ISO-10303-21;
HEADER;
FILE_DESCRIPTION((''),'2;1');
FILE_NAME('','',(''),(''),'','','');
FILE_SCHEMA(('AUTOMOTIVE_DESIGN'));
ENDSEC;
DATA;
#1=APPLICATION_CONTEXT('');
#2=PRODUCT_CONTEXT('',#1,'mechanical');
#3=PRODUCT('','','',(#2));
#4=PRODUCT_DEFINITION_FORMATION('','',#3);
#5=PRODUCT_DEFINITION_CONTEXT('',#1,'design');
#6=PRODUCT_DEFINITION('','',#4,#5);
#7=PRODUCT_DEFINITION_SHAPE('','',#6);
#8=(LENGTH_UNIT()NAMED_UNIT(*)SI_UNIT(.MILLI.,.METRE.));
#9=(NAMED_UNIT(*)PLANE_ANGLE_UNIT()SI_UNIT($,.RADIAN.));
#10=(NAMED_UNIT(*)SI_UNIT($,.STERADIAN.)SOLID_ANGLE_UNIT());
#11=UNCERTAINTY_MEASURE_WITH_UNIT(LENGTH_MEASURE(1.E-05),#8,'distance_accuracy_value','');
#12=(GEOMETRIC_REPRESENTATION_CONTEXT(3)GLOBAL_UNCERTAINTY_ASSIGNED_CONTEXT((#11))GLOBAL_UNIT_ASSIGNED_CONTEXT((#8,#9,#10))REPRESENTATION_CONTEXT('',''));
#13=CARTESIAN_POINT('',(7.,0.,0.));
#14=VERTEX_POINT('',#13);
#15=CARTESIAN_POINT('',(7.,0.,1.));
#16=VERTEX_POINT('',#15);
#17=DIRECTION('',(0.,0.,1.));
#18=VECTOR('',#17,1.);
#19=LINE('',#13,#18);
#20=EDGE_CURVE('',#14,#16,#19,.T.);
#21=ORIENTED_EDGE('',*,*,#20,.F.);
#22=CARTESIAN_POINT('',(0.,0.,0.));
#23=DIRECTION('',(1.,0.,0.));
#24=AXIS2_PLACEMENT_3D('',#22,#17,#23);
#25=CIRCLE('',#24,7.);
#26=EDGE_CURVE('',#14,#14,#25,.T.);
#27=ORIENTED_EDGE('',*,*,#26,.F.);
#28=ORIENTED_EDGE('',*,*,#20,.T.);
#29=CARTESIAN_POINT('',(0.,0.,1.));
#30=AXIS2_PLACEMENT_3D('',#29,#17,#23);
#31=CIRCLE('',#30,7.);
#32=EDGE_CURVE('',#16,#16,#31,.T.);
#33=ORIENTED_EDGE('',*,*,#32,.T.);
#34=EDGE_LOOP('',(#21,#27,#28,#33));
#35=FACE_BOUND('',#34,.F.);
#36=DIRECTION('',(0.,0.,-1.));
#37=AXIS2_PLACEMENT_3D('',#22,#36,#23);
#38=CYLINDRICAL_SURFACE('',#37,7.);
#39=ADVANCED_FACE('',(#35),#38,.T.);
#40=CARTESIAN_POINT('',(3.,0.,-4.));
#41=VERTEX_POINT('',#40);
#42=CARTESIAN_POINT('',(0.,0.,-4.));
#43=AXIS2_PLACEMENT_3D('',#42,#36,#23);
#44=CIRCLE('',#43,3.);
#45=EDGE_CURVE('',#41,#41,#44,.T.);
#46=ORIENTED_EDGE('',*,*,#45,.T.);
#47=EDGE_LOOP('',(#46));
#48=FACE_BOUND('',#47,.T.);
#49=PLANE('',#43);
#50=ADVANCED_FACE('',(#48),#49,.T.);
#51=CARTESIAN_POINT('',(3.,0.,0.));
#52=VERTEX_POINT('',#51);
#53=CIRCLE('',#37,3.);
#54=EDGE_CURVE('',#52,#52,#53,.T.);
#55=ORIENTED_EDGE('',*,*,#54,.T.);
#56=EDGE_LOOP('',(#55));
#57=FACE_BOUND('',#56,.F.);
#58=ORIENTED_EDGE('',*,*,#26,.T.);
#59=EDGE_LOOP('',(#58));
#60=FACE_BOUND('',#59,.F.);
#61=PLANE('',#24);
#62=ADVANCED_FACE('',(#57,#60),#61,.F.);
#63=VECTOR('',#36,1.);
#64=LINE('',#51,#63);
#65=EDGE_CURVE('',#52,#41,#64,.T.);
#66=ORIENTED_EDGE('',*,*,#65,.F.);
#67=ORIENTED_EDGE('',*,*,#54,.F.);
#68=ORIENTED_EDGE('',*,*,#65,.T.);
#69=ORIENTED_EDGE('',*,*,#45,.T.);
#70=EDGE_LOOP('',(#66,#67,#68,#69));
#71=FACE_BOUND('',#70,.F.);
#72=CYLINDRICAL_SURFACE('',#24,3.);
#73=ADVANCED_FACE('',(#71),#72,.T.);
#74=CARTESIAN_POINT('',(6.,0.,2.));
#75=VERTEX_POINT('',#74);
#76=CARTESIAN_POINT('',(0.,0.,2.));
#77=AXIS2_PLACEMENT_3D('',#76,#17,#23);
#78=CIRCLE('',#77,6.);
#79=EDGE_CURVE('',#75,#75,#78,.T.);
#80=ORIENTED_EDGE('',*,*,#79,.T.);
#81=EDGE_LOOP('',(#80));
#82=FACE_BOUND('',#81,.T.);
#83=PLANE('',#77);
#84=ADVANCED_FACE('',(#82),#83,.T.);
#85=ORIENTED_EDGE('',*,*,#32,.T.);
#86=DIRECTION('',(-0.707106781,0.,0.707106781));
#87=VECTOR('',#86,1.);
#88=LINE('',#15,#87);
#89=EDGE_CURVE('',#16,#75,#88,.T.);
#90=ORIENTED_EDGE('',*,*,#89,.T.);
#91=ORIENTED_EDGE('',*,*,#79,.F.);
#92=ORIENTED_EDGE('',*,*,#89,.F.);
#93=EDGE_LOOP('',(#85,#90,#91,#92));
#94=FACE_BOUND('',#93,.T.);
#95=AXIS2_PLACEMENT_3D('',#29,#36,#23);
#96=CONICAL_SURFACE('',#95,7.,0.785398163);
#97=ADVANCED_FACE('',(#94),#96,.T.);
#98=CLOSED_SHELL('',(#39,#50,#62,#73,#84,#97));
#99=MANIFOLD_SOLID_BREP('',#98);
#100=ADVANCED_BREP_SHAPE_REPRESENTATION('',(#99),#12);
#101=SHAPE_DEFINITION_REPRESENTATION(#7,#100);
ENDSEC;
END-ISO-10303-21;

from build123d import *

# Parameters (mm, degrees)
F0_R     = 7
F1_DEPTH = 2
F2_SIZE  = 1
F3_R     = 3
F4_DEPTH = 4


with BuildPart() as f1:
    # F0 (on Top) → F1 (new body)
    with BuildSketch(Plane.XY):
        Circle(F0_R)
    extrude(amount=F1_DEPTH)

    # F2
    f2_edges = [f1.edges().sort_by_distance(p)[0] for p in [
        (-7, 0, 2),
    ]]
    chamfer(f2_edges, length=F2_SIZE)

    # F3 (on face) → F4 (join)
    with BuildSketch(Plane(origin=(0, 0, 0), x_dir=(1, 0, 0), z_dir=(0, 0, -1))):
        Circle(F3_R)
    extrude(amount=F4_DEPTH)


solid = f1.part
